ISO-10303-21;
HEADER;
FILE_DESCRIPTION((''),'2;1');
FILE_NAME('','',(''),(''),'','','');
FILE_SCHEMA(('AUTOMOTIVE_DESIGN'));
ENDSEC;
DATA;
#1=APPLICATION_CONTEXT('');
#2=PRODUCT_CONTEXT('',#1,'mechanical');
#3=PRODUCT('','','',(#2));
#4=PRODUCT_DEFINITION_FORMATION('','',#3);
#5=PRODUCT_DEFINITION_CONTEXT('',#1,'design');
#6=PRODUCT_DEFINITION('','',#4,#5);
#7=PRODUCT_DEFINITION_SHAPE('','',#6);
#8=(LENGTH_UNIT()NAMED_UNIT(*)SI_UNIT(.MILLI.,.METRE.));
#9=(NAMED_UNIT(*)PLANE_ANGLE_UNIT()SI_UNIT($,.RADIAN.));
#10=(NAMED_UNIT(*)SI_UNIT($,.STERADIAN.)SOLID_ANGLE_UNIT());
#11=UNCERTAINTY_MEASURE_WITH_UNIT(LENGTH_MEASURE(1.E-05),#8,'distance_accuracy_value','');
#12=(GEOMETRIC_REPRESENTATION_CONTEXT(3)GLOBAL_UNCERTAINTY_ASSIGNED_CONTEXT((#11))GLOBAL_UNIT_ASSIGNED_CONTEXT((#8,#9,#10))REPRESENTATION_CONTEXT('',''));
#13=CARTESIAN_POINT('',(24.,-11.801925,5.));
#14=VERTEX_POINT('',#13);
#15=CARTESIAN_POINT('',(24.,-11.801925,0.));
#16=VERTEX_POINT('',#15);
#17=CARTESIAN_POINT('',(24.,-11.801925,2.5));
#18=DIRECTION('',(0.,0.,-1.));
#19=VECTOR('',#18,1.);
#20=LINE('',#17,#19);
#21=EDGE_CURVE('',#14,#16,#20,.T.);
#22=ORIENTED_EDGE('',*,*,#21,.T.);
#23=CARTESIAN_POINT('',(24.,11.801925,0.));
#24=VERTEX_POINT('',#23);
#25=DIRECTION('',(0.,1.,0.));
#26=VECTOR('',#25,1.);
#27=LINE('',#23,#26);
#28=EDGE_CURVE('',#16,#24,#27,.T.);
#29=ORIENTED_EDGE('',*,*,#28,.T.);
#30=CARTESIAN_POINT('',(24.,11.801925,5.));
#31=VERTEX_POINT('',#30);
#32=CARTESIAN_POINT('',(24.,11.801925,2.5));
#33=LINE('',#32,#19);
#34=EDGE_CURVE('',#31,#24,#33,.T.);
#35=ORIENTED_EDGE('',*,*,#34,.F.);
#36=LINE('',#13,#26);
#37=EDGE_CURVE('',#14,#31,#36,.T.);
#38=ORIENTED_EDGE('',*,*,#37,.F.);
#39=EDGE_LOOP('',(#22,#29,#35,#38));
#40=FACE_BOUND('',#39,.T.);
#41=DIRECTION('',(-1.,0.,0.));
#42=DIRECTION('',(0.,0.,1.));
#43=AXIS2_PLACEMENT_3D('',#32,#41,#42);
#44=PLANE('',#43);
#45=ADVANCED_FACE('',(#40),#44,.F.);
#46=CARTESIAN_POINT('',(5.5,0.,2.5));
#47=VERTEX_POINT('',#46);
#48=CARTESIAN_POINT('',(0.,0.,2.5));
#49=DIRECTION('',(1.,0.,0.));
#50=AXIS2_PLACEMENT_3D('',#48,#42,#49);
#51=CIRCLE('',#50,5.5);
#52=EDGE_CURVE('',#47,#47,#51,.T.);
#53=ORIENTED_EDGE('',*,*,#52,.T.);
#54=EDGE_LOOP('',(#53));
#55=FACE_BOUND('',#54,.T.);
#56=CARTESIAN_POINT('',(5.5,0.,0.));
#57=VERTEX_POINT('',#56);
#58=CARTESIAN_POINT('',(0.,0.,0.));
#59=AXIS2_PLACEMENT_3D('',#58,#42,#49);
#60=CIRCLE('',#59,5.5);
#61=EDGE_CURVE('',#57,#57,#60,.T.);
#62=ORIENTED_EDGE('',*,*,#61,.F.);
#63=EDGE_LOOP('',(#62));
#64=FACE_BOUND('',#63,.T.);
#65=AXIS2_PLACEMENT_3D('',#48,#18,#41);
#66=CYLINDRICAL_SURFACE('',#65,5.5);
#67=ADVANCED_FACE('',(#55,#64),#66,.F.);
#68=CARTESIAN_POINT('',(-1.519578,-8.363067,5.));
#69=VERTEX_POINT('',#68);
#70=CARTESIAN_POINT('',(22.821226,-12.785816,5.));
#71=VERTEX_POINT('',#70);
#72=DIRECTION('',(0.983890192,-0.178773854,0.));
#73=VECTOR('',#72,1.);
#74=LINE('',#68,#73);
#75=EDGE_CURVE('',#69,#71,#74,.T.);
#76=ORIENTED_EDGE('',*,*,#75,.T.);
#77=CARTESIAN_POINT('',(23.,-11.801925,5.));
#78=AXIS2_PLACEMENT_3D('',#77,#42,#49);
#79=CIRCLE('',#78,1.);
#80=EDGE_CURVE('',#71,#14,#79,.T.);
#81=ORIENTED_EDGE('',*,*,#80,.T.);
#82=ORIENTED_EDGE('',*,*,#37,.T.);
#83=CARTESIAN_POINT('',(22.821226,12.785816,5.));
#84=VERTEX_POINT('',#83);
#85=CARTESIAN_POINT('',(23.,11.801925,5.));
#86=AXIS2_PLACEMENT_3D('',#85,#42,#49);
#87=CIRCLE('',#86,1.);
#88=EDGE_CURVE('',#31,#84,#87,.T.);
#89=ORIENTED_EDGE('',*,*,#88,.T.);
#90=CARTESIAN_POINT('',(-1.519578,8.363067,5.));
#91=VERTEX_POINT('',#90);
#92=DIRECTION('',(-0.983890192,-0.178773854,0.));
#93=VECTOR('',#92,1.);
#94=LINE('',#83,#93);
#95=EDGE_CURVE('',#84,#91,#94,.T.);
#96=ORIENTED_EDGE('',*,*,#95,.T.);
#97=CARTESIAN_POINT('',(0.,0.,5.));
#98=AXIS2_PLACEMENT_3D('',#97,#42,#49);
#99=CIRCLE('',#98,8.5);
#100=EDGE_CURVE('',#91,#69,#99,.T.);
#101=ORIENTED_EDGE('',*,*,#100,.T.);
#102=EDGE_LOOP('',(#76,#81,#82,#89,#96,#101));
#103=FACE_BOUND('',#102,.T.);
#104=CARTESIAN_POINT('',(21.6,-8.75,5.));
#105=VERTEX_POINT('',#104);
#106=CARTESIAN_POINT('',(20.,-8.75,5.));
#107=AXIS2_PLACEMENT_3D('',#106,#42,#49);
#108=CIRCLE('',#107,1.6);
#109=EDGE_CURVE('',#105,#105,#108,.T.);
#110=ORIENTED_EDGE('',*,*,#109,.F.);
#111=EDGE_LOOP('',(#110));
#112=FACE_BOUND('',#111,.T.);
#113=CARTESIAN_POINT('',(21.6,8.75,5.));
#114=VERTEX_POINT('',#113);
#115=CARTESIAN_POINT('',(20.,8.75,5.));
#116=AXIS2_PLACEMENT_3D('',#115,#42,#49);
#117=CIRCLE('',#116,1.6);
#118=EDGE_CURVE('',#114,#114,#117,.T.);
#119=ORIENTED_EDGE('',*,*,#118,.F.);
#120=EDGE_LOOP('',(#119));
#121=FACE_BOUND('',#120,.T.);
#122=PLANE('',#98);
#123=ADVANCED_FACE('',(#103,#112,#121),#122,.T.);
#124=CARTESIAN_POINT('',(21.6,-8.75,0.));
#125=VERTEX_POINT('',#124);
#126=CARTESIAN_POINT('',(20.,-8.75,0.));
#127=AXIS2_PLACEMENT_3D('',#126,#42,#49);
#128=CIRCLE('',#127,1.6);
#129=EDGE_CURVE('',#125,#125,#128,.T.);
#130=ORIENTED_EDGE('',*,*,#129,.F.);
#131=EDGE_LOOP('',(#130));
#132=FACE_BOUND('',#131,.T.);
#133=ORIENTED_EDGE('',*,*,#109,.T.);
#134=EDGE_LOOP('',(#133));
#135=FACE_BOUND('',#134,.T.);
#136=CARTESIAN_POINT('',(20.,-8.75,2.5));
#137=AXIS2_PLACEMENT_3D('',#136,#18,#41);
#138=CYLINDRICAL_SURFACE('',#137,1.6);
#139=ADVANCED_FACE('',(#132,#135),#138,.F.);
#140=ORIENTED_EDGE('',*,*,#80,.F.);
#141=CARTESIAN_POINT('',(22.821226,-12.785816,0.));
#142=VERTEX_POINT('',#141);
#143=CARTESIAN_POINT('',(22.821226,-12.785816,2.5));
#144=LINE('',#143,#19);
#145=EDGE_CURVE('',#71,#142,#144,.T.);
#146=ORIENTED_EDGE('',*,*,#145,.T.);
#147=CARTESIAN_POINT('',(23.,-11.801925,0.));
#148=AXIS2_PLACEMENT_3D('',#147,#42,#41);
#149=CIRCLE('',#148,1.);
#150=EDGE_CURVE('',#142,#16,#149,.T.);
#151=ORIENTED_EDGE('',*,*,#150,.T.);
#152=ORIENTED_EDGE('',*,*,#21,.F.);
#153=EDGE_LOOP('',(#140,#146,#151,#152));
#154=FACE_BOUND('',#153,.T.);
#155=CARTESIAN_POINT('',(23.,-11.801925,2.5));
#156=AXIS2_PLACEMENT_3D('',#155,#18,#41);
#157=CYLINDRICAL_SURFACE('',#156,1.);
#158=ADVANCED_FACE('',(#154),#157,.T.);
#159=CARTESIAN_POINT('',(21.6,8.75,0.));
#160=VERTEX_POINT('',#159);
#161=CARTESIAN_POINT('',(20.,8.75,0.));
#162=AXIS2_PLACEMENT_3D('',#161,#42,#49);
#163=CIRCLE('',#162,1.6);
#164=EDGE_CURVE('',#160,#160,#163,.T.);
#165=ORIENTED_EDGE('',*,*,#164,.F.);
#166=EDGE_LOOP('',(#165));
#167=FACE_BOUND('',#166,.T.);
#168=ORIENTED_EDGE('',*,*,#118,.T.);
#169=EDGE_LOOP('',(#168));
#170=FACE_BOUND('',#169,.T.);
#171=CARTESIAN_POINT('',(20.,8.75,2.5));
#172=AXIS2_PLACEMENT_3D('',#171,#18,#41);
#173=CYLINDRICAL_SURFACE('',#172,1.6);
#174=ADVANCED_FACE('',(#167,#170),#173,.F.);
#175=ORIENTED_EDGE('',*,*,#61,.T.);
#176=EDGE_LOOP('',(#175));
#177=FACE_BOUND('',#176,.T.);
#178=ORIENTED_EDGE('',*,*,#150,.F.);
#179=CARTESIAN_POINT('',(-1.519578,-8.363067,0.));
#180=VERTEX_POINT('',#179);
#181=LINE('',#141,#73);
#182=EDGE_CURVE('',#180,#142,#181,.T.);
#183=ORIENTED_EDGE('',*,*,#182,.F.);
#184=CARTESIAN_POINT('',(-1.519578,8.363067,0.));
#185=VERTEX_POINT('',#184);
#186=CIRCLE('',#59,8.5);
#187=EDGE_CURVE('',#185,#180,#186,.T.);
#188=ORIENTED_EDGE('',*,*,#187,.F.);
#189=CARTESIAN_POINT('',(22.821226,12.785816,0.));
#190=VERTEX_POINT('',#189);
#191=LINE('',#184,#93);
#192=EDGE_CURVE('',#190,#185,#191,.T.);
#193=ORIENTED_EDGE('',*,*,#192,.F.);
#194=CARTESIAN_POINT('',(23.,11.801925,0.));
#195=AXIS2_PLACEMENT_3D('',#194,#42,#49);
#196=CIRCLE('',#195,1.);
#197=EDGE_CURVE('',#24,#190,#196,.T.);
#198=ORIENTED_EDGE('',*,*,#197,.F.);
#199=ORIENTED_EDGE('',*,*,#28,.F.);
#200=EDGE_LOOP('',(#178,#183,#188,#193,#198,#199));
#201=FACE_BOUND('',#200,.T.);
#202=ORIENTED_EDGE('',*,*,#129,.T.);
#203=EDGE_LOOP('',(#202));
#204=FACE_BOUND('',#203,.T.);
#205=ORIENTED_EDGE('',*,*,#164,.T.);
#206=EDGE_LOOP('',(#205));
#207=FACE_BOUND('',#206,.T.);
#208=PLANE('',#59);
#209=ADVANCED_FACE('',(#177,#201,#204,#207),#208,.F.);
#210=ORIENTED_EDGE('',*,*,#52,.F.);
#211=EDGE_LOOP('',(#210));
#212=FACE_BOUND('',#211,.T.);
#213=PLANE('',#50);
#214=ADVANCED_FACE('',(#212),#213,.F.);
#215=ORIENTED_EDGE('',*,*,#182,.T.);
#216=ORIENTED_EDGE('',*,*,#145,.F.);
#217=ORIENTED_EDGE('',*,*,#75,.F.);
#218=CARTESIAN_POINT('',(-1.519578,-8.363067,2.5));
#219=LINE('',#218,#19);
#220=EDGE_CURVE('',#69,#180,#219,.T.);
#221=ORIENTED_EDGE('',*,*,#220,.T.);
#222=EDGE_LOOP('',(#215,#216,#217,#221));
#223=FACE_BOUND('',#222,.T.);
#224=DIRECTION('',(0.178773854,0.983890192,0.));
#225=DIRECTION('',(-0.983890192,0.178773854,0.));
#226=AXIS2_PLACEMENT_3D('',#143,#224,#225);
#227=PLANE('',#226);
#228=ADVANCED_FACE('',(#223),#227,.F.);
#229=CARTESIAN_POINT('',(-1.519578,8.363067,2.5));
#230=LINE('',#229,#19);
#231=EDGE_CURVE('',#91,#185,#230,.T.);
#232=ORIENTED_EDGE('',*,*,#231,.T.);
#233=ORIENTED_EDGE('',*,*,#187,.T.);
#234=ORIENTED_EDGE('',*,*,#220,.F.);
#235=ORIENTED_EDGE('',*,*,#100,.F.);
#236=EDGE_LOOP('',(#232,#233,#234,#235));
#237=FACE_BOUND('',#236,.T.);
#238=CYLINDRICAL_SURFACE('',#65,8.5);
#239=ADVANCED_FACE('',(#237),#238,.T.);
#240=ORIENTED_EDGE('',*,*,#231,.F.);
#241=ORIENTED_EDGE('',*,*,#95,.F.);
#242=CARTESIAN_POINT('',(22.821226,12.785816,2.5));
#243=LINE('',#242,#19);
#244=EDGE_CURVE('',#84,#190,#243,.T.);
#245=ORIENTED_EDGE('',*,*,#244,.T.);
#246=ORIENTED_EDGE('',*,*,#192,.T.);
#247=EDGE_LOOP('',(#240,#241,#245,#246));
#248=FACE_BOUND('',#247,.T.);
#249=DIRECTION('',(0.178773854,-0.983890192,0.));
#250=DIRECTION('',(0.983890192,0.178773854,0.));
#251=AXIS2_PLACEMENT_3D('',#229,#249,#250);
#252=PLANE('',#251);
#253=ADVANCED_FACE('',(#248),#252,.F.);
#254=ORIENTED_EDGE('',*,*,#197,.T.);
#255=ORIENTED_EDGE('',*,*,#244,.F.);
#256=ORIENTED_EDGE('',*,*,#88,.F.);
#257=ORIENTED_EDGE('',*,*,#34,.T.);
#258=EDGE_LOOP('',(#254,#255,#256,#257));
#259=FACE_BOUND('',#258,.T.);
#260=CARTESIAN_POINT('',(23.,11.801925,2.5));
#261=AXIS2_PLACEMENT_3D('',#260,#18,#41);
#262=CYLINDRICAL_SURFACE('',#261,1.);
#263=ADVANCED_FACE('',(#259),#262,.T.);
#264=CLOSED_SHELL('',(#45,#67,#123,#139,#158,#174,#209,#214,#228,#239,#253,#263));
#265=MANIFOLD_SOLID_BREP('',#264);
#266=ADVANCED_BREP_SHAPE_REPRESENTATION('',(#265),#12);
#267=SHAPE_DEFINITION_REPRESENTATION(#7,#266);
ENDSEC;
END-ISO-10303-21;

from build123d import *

# Parameters (mm, degrees)
SKETCH_1_R      = 1.6
SKETCH_1_R_2    = 5.5
EXTRUDE_2_DEPTH = 2.5
SKETCH_2_R      = 1.6
EXTRUDE_3_DEPTH = 2.5


with BuildPart() as part:
    # 草图1 → 凸台-拉伸2 (new body)
    with BuildSketch(Plane.XY):
        with BuildLine():
            Line((-1.519577757, 8.363066629), (22.821226146, 12.785815586))
            ThreePointArc((22.821226146, 12.785815586), (23.640790975, 12.569640788), (24, 11.801925394))
            Line((24, 11.801925394), (24, -11.801925394))
            ThreePointArc((24, -11.801925394), (23.640790975, -12.569640788), (22.821226146, -12.785815586))
            Line((22.821226146, -12.785815586), (-1.519577757, -8.363066629))
            ThreePointArc((-1.519577757, -8.363066629), (-8.5, 0), (-1.519577757, 8.363066629))
        make_face()
        with Locations((20, 8.75)):
            Circle(SKETCH_1_R, mode=Mode.SUBTRACT)
        with Locations((20, -8.75)):
            Circle(SKETCH_1_R, mode=Mode.SUBTRACT)
        Circle(SKETCH_1_R_2, mode=Mode.SUBTRACT)
    extrude(amount=EXTRUDE_2_DEPTH)

    # 草图2 → 凸台-拉伸3 (add)
    with BuildSketch(Plane.XY.offset(2.5)):
        with BuildLine():
            Line((-1.519577757, -8.363066629), (22.821226146, -12.785815586))
            ThreePointArc((22.821226146, -12.785815586), (23.640790975, -12.569640788), (24, -11.801925394))
            Line((24, -11.801925394), (24, 11.801925394))
            ThreePointArc((24, 11.801925394), (23.640790975, 12.569640788), (22.821226146, 12.785815586))
            Line((22.821226146, 12.785815586), (-1.519577757, 8.363066629))
            ThreePointArc((-1.519577757, 8.363066629), (-8.5, 0), (-1.519577757, -8.363066629))
        make_face()
        with Locations((20, -8.75)):
            Circle(SKETCH_2_R, mode=Mode.SUBTRACT)
        with Locations((20, 8.75)):
            Circle(SKETCH_2_R, mode=Mode.SUBTRACT)
    extrude(amount=EXTRUDE_3_DEPTH)


solid = part.part
